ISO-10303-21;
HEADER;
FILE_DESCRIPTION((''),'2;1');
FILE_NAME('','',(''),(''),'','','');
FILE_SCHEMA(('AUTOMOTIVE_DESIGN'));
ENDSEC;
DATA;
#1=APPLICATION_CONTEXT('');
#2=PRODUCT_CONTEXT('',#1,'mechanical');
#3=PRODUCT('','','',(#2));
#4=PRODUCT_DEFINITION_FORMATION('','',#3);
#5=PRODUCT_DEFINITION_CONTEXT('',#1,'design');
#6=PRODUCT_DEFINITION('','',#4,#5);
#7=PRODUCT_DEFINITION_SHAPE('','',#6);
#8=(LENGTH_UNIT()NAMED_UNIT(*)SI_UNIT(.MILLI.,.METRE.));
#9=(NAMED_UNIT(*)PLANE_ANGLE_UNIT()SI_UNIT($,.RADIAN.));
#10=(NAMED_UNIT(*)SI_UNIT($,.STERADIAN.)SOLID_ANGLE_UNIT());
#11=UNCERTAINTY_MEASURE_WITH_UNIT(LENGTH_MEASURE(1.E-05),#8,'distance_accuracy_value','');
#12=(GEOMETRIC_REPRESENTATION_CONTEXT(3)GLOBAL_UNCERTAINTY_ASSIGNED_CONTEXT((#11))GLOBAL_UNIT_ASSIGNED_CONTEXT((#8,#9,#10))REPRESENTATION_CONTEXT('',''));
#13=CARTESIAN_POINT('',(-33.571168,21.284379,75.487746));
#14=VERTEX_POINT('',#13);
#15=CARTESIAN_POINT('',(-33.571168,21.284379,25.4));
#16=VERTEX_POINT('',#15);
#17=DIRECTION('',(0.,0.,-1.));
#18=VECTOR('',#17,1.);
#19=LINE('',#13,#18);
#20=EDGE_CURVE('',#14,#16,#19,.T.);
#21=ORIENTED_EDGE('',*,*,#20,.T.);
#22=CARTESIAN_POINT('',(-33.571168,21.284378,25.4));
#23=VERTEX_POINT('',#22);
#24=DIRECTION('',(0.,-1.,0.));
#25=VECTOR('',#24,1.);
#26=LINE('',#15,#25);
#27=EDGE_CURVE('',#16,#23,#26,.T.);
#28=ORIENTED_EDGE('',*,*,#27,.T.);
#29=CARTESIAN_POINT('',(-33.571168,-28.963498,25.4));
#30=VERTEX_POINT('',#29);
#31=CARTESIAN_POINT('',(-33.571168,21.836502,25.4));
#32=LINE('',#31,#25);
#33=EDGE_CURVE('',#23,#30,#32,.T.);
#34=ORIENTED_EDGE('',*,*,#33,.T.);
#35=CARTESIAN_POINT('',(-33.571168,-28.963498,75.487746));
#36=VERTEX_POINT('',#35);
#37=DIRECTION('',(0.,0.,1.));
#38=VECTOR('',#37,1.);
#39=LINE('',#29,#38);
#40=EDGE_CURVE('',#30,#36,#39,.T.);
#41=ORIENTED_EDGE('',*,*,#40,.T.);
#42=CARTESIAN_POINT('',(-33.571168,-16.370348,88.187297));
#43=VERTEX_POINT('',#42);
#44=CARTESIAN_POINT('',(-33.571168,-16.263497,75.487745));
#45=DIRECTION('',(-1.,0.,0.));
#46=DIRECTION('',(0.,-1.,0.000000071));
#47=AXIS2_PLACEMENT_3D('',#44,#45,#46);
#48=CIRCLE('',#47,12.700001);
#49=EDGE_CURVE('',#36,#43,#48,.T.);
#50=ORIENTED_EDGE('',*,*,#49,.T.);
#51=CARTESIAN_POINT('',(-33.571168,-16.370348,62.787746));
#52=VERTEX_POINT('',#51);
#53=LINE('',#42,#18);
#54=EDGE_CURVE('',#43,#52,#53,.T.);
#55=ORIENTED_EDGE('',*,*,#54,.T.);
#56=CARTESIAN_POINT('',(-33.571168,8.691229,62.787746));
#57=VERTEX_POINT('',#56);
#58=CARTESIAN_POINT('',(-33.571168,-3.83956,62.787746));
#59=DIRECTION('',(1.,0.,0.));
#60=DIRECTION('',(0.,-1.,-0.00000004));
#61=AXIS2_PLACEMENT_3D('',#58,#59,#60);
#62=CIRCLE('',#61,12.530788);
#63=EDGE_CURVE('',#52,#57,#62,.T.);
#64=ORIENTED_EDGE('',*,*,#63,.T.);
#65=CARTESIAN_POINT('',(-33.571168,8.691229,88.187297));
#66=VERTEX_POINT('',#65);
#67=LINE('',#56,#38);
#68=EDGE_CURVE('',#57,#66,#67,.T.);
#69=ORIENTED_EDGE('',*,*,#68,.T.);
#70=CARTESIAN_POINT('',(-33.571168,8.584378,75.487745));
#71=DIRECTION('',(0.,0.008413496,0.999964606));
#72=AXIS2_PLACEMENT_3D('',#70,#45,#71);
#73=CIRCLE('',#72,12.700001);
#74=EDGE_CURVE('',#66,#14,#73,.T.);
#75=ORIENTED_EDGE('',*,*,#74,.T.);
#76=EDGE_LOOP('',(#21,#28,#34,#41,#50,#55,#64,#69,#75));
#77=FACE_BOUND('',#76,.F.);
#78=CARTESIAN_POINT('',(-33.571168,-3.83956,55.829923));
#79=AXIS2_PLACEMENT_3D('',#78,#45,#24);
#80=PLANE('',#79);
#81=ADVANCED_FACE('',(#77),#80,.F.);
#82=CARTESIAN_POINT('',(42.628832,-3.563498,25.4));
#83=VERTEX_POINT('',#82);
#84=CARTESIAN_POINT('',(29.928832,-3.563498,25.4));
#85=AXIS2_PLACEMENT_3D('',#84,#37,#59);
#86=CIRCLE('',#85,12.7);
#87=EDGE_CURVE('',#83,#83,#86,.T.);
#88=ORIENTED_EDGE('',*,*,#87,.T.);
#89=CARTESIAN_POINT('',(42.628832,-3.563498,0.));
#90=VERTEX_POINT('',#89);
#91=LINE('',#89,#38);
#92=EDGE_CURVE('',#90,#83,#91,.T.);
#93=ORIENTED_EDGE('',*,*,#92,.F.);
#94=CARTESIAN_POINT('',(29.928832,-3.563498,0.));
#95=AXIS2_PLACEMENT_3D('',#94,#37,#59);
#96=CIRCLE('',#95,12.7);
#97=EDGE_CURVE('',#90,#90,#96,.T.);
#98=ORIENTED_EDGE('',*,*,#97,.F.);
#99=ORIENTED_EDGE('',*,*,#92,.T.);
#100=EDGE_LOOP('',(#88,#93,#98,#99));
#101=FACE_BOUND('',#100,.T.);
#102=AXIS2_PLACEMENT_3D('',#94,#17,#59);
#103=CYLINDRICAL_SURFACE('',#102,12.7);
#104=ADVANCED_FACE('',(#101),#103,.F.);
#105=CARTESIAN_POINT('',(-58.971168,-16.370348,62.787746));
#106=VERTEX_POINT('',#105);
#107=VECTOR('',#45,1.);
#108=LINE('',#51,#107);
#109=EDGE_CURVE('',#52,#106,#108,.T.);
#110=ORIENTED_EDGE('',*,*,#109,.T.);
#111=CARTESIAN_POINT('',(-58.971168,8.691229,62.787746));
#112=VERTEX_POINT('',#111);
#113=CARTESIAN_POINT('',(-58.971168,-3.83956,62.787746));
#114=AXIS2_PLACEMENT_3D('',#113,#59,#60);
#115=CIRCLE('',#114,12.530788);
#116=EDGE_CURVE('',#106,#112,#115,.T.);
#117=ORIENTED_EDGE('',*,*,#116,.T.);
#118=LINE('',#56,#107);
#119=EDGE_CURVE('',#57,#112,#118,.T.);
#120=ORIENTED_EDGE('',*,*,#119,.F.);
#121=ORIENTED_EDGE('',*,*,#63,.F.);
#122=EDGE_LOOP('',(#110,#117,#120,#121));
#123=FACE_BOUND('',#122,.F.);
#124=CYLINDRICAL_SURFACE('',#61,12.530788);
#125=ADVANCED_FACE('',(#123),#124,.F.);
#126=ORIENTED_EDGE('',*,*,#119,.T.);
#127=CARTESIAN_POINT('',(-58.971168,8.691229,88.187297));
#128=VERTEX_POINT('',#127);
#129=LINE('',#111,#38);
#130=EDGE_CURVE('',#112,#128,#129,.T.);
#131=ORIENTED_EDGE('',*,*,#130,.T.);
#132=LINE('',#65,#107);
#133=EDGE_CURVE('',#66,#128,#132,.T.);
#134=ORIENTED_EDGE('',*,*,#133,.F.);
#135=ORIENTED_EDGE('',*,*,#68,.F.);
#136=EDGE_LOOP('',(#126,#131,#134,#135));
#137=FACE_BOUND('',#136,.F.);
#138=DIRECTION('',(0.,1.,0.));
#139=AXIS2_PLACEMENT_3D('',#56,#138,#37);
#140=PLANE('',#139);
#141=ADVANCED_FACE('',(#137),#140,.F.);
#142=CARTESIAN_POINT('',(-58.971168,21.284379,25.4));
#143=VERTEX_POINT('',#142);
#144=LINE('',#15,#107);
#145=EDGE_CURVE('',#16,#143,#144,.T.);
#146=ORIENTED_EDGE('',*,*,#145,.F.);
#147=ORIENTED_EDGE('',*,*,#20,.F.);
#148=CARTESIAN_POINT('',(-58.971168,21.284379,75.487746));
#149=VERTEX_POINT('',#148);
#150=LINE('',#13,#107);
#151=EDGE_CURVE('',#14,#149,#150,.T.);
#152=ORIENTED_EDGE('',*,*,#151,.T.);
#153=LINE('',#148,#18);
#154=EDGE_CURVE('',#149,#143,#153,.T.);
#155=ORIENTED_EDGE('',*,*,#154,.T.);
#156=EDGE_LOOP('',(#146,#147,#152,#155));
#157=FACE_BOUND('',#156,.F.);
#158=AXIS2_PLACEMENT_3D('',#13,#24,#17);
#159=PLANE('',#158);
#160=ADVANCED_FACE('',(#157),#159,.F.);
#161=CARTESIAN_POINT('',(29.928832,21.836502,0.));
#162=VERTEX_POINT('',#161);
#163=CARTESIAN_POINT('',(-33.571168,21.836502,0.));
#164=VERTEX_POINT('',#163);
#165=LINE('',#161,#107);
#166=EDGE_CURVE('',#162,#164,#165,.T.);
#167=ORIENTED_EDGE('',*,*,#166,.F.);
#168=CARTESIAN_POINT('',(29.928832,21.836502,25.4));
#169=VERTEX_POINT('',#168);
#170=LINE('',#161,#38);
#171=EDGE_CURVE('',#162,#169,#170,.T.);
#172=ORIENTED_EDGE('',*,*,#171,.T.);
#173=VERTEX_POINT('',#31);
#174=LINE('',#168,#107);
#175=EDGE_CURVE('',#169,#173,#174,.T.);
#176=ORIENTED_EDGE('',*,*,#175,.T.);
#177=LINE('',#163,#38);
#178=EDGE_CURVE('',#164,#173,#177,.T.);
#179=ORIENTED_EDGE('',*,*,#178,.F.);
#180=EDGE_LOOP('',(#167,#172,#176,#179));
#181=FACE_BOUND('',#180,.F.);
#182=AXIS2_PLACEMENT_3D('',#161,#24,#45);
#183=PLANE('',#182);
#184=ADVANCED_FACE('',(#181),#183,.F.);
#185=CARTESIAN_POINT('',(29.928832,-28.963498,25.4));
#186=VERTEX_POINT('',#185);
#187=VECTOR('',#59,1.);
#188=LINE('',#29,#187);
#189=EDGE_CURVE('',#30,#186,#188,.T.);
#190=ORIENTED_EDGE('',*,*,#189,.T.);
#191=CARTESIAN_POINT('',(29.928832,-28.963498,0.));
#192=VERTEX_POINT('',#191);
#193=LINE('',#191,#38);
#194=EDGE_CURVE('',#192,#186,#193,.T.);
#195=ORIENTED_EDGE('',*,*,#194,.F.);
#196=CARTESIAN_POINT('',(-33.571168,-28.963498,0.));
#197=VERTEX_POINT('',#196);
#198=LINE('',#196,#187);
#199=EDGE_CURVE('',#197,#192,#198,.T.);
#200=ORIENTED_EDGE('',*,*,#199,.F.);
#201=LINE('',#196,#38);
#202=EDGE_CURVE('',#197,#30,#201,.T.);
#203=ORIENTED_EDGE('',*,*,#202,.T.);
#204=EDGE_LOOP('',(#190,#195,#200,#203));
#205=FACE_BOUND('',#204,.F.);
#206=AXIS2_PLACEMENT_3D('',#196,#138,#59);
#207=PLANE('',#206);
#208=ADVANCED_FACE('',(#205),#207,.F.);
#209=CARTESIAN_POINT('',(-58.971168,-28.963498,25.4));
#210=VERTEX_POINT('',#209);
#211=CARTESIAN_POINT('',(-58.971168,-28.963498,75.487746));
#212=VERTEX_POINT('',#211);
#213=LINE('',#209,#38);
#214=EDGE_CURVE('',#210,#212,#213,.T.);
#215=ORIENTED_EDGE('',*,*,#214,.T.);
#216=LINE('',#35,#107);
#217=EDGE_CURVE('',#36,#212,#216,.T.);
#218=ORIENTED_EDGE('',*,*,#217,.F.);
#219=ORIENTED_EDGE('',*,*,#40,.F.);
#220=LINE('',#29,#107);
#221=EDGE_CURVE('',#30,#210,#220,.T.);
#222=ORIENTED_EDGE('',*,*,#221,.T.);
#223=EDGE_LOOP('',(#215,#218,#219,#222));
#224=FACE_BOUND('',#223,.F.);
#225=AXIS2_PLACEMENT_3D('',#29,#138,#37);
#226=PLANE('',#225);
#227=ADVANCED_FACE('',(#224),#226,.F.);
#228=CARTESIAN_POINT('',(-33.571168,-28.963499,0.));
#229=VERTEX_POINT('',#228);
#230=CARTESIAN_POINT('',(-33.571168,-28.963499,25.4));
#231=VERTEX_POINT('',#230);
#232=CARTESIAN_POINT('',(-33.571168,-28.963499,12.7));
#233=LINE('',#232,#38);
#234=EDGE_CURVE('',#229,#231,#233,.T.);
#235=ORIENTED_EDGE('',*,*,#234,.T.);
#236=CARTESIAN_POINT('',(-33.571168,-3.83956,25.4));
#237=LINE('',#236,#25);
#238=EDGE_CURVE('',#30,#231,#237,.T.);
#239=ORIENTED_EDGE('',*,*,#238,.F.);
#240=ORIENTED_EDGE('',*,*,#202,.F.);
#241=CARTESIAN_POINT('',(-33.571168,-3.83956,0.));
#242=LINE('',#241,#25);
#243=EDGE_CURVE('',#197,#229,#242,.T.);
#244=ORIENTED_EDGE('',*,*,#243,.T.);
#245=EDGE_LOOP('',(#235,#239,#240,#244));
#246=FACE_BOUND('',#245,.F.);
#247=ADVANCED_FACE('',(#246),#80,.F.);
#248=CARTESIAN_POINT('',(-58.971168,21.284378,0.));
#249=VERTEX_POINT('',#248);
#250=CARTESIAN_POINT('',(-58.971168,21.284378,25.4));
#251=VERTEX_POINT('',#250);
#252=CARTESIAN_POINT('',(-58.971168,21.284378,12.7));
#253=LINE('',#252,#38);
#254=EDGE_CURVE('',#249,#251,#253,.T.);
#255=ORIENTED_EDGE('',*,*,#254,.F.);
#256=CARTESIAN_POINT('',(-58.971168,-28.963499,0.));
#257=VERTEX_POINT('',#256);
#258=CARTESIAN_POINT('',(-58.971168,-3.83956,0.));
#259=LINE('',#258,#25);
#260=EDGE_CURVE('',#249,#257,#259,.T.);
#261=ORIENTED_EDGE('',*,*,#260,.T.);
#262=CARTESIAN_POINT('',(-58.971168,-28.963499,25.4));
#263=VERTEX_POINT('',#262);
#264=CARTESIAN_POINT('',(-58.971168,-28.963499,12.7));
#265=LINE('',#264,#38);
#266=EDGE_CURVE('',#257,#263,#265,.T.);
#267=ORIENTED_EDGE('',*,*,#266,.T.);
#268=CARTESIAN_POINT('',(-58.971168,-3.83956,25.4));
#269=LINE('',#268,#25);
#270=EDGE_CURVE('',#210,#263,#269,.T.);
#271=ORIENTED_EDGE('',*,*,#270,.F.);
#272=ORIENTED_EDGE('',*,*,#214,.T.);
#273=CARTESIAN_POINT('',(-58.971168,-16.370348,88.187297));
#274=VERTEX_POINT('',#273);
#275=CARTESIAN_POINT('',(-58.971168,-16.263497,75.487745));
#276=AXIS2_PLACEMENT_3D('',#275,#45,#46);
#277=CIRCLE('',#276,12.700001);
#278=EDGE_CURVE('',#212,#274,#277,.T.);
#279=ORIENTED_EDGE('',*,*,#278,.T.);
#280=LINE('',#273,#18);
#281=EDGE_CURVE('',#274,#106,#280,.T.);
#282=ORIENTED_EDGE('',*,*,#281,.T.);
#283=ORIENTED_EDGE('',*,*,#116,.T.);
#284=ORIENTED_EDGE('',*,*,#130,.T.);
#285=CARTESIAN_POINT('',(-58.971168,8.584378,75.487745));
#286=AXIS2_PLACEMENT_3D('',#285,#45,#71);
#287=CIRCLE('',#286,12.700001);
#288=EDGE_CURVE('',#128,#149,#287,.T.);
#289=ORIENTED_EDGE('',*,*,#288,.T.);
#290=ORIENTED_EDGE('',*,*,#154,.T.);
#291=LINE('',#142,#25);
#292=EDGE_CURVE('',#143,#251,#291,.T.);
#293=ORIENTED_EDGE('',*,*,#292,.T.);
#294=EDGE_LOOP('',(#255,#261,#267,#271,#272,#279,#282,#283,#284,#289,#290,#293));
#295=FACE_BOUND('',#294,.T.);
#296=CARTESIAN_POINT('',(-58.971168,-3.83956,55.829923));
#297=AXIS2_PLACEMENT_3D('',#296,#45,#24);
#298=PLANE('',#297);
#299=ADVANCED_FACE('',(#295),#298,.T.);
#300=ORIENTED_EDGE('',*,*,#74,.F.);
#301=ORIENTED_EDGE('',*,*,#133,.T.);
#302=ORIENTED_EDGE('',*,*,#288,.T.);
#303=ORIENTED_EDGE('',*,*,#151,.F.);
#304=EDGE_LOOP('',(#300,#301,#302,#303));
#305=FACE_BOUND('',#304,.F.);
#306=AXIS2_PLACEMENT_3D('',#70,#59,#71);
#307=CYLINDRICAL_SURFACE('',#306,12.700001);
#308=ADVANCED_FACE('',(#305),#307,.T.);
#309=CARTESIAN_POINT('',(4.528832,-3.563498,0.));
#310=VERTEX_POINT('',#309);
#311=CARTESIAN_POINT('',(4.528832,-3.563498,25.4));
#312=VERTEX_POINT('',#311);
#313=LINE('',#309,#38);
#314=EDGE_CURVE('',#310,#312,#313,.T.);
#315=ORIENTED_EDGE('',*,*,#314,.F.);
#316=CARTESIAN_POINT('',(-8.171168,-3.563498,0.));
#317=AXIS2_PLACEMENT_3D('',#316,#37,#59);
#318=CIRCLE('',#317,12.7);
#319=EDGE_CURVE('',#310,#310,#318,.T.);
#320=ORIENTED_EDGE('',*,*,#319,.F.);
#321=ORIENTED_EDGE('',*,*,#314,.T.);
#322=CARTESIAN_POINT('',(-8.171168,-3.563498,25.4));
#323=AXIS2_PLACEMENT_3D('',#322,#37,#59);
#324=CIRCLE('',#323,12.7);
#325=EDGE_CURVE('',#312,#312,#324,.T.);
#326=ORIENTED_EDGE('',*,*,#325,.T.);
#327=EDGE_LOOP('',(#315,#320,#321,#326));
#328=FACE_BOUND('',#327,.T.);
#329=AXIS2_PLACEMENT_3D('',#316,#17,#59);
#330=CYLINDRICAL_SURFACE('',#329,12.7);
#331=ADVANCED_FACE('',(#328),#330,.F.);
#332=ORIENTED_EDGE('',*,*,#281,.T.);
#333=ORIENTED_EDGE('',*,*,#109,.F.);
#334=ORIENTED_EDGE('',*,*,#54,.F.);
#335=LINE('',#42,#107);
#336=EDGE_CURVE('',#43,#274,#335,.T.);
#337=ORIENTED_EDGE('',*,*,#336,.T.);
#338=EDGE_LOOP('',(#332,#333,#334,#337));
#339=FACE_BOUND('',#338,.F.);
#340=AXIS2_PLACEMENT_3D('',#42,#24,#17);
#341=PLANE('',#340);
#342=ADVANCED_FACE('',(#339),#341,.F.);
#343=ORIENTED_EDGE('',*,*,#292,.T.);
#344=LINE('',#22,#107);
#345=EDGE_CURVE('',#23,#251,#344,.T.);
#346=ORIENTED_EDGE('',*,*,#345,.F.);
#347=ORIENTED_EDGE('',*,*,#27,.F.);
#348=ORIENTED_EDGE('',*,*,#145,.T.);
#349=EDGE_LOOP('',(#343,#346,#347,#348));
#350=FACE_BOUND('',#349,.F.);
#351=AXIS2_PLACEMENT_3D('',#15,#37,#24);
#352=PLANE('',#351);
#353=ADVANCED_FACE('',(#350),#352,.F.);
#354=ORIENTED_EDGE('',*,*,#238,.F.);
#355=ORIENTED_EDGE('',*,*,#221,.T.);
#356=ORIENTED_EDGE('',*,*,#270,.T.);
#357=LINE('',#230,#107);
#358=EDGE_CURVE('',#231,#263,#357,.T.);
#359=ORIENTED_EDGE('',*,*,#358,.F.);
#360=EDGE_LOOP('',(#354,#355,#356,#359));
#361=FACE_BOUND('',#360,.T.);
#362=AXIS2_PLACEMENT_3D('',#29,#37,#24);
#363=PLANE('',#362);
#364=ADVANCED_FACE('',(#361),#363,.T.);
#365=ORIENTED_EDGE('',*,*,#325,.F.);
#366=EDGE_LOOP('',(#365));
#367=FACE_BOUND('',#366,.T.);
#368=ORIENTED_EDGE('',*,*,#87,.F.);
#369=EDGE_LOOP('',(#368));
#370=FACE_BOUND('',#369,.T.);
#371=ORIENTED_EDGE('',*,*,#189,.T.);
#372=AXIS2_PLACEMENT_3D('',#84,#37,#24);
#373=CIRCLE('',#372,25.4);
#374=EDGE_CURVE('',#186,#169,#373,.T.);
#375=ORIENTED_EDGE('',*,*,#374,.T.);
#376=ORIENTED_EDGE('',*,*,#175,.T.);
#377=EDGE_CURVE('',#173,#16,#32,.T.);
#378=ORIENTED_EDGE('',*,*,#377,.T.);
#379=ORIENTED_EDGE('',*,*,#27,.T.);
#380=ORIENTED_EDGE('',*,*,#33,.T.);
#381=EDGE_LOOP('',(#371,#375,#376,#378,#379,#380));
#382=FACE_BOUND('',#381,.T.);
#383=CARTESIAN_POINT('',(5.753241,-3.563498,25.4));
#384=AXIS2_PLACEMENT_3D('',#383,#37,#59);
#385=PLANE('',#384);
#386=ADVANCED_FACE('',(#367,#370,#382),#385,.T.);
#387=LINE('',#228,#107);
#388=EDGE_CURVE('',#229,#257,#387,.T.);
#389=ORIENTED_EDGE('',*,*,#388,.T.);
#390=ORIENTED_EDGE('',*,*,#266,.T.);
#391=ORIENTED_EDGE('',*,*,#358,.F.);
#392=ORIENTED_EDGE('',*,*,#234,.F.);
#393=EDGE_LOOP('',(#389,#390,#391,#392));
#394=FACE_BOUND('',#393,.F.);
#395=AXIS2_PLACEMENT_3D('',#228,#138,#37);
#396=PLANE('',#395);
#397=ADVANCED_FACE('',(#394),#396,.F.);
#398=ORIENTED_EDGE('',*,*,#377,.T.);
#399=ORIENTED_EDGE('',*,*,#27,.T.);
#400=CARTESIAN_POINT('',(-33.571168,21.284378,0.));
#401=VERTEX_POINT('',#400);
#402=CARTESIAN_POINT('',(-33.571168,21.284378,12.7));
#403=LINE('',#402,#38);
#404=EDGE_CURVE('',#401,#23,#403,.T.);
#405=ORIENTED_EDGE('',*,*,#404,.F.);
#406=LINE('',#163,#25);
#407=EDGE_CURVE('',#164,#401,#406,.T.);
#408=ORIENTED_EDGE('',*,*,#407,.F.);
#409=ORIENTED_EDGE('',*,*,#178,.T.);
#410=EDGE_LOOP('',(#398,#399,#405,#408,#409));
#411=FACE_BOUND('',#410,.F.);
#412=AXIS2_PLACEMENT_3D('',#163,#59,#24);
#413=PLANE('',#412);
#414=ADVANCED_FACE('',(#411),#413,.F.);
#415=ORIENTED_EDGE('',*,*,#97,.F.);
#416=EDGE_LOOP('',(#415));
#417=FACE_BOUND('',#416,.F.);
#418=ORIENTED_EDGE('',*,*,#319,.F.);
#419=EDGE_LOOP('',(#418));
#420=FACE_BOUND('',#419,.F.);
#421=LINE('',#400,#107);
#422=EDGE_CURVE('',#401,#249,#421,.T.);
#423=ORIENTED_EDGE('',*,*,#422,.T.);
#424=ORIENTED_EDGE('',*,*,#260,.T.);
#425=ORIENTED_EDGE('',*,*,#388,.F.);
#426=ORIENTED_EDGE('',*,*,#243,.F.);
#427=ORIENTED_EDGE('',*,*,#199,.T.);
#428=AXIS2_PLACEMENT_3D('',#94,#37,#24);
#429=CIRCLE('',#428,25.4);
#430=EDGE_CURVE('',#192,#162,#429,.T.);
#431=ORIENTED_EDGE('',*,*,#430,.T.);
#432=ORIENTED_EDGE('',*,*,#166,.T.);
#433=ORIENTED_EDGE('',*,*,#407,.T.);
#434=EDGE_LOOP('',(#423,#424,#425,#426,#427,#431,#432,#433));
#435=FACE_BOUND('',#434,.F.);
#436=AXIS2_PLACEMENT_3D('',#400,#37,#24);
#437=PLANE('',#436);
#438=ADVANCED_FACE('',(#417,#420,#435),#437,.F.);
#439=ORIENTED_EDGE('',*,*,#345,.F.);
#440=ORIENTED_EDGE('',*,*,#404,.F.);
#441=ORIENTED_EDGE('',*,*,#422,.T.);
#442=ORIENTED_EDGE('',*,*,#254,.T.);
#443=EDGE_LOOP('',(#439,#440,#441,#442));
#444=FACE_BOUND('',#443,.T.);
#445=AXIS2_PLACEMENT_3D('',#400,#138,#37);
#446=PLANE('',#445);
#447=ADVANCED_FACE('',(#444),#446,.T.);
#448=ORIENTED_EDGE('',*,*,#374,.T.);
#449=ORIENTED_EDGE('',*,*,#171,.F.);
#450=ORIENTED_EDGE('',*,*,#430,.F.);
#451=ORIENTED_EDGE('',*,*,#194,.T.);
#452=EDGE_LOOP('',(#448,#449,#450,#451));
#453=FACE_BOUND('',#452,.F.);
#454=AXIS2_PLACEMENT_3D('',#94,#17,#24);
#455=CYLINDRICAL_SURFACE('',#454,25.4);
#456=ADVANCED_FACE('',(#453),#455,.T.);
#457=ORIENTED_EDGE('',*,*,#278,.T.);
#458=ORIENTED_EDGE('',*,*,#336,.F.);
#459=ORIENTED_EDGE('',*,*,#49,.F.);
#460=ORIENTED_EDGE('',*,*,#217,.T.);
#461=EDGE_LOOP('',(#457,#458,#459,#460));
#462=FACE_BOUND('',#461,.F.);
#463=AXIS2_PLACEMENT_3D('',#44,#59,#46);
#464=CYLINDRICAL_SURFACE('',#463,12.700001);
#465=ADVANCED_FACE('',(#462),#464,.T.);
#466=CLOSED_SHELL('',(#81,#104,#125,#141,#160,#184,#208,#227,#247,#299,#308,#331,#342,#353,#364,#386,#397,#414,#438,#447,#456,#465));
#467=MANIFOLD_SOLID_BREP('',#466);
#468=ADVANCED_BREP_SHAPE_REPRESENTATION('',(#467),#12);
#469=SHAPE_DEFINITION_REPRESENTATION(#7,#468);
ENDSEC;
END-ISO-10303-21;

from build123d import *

# Parameters (mm, degrees)
F0_R     = 12.7
F1_DEPTH = 25.4
F2_W     = 50.247877
F2_H     = 25.4
F3_DEPTH = 25.4


with BuildPart() as f1:
    # F0 (on Top) → F1 (new body)
    with BuildSketch(Plane.XY):
        with BuildLine():
            Line((29.928832, 21.836502), (-33.571168, 21.836502))
            Line((-33.571168, 21.836502), (-33.571168, -28.963498))
            Line((-33.571168, -28.963498), (29.928832, -28.963498))
            ThreePointArc((29.928832, -28.963498), (55.328832, -3.563498), (29.928832, 21.836502))
        make_face()
        with Locations((-8.171168, -3.563498)):
            Circle(F0_R, mode=Mode.SUBTRACT)
        with Locations((29.928832, -3.563498)):
            Circle(F0_R, mode=Mode.SUBTRACT)
    extrude(amount=F1_DEPTH)

    # F2 (on face) → F3 (join)
    with BuildSketch(Plane(origin=(-33.571168, 0, 0), x_dir=(0, -1, 0), z_dir=(-1, 0, 0))):
        with BuildLine():
            Line((-21.284379, 25.4), (28.963498, 25.4))
            Line((28.963498, 25.4), (28.963498, 62.787746))
            Line((28.963498, 62.787746), (28.963498, 75.487746))
            ThreePointArc((28.963498, 75.487746), (25.281452, 84.430145), (16.370348, 88.187297))
            Line((16.370348, 88.187297), (16.370348, 62.787746))
            ThreePointArc((16.370348, 62.787746), (3.839559, 50.256958), (-8.691229, 62.787746))
            Line((-8.691229, 62.787746), (-8.691229, 88.187297))
            ThreePointArc((-8.691229, 88.187297), (-17.602333, 84.430145), (-21.284379, 75.487746))
            Line((-21.284379, 75.487746), (-21.284379, 62.787746))
            Line((-21.284379, 62.787746), (-21.284379, 25.4))
        make_face()
        with Locations((3.83956, 12.7)):
            Rectangle(F2_W, F2_H)
    extrude(amount=F3_DEPTH)


solid = f1.part
